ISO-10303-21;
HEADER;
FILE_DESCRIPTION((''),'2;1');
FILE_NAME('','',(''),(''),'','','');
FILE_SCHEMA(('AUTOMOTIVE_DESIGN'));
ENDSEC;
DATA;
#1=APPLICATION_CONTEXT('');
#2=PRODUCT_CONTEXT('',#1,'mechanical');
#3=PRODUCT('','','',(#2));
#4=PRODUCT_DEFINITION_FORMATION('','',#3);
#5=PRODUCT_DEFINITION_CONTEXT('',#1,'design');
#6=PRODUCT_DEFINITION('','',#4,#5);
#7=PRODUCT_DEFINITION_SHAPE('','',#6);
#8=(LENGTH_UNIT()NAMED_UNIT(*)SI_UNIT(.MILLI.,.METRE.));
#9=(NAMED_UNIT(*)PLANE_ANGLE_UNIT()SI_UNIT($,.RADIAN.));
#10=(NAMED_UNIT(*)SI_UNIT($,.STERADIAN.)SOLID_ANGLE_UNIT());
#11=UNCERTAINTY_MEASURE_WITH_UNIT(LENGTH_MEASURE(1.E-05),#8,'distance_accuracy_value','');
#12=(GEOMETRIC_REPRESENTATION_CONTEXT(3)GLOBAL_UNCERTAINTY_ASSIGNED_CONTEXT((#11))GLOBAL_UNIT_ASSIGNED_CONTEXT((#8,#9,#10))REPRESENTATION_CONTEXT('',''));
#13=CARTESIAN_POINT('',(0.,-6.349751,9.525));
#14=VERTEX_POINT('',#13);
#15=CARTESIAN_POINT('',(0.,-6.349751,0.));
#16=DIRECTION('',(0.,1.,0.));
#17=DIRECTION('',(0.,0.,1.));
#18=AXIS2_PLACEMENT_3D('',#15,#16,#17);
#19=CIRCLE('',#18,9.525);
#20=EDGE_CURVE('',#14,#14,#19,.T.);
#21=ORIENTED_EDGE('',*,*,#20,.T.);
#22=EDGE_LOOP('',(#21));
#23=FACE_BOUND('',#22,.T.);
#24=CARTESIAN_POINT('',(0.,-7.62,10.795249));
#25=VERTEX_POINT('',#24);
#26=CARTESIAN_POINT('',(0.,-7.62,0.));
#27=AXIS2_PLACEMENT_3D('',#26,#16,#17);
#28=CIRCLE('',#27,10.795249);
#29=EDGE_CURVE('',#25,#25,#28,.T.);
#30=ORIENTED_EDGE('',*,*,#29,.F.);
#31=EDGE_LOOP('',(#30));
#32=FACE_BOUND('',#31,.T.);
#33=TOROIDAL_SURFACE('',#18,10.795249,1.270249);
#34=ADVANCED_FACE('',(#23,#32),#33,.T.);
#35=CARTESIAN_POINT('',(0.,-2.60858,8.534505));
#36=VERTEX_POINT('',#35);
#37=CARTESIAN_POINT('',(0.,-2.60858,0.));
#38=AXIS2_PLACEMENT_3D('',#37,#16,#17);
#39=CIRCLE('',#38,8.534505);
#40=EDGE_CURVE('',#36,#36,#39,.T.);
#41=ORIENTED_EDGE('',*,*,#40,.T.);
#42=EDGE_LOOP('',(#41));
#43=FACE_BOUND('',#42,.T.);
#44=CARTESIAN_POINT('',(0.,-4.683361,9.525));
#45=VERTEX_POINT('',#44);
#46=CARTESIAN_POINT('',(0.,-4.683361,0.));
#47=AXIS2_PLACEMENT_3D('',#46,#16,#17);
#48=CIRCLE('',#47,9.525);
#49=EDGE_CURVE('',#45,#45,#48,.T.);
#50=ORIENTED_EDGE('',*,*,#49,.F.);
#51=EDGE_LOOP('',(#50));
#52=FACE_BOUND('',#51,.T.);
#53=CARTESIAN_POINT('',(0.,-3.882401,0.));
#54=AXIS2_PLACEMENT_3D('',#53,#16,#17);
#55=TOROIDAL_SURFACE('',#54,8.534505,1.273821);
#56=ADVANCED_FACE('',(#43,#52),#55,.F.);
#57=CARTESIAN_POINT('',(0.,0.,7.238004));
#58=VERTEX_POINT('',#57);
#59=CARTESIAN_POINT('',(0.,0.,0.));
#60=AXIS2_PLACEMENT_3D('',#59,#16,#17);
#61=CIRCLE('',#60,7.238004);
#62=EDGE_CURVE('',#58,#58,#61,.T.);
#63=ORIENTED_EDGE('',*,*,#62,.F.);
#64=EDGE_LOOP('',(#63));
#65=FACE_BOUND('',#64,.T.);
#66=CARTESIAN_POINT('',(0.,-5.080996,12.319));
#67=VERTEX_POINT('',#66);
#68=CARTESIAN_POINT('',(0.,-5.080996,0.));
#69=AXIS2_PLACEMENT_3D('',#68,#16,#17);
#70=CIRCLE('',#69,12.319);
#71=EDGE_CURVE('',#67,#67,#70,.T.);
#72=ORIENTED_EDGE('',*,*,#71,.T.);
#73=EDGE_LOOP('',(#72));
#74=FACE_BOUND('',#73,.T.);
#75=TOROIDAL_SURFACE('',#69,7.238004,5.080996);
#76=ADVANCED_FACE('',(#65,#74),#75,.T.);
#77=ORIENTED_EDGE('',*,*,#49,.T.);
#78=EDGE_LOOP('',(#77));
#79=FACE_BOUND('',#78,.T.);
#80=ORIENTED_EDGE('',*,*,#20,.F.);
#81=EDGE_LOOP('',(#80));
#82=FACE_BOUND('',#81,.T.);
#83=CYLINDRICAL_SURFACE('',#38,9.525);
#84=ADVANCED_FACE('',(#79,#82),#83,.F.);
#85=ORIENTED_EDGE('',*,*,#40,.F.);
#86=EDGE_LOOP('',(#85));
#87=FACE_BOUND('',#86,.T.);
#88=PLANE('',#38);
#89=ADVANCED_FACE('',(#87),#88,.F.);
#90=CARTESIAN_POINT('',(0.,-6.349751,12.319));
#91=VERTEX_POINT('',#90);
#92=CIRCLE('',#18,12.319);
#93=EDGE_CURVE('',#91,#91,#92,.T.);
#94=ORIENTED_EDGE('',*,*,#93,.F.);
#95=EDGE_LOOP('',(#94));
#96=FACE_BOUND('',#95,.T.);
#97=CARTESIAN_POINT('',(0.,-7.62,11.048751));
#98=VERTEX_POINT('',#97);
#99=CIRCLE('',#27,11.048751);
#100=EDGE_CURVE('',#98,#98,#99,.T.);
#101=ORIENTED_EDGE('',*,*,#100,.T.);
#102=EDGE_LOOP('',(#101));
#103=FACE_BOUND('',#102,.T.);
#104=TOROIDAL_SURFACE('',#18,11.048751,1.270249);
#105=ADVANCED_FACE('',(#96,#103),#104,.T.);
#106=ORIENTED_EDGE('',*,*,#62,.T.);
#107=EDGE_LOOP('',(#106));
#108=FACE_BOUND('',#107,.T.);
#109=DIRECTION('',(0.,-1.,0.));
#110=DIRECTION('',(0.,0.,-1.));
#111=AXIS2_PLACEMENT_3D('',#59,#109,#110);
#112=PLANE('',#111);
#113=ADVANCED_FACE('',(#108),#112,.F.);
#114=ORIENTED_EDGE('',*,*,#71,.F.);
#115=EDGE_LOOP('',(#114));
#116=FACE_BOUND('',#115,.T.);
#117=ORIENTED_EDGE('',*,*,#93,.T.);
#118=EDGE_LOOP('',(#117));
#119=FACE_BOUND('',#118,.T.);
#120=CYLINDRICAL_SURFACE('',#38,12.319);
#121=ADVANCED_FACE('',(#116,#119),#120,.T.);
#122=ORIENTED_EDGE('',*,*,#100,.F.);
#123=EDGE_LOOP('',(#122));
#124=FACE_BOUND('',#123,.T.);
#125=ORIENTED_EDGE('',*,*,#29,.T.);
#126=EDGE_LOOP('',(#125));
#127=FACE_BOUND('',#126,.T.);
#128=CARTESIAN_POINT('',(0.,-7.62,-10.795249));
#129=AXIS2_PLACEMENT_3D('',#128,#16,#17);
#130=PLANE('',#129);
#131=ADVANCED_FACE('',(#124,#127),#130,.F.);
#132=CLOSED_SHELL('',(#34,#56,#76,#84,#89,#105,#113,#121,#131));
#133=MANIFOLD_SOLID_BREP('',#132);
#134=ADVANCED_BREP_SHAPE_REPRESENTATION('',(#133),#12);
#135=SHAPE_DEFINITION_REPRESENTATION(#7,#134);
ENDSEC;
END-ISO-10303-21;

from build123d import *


with BuildPart() as part:
    # Sketch3 → Revolve1 (revolve)
    with BuildSketch(Plane(origin=(0, 0, 0), x_dir=(0, 0, -1), z_dir=(1, 0, 0))):
        with BuildLine():
            Line((12.319000296, -5.080996249), (12.319000296, -6.349750932))
            ThreePointArc((12.319000296, -6.349750932), (11.946952958, -7.247952662), (11.048751227, -7.62))
            Line((11.048751227, -7.62), (10.795249364, -7.62))
            ThreePointArc((10.795249364, -7.62), (9.897047634, -7.247952662), (9.525000296, -6.349750932))
            Line((9.525000296, -6.349750932), (9.525000296, -4.68336138))
            ThreePointArc((9.525000296, -4.68336138), (9.684048002, -3.333611598), (8.534504688, -2.60858))
            Line((8.534504688, -2.60858), (0, -2.60858))
            Line((0, -2.60858), (0, 0))
            Line((0, 0), (7.238004047, 0))
            ThreePointArc((7.238004047, 0), (10.83081095, -1.488189346), (12.319000296, -5.080996249))
        make_face()
    revolve(axis=Axis((0, -2.60858, 0), (0, -1, 0)))


solid = part.part
